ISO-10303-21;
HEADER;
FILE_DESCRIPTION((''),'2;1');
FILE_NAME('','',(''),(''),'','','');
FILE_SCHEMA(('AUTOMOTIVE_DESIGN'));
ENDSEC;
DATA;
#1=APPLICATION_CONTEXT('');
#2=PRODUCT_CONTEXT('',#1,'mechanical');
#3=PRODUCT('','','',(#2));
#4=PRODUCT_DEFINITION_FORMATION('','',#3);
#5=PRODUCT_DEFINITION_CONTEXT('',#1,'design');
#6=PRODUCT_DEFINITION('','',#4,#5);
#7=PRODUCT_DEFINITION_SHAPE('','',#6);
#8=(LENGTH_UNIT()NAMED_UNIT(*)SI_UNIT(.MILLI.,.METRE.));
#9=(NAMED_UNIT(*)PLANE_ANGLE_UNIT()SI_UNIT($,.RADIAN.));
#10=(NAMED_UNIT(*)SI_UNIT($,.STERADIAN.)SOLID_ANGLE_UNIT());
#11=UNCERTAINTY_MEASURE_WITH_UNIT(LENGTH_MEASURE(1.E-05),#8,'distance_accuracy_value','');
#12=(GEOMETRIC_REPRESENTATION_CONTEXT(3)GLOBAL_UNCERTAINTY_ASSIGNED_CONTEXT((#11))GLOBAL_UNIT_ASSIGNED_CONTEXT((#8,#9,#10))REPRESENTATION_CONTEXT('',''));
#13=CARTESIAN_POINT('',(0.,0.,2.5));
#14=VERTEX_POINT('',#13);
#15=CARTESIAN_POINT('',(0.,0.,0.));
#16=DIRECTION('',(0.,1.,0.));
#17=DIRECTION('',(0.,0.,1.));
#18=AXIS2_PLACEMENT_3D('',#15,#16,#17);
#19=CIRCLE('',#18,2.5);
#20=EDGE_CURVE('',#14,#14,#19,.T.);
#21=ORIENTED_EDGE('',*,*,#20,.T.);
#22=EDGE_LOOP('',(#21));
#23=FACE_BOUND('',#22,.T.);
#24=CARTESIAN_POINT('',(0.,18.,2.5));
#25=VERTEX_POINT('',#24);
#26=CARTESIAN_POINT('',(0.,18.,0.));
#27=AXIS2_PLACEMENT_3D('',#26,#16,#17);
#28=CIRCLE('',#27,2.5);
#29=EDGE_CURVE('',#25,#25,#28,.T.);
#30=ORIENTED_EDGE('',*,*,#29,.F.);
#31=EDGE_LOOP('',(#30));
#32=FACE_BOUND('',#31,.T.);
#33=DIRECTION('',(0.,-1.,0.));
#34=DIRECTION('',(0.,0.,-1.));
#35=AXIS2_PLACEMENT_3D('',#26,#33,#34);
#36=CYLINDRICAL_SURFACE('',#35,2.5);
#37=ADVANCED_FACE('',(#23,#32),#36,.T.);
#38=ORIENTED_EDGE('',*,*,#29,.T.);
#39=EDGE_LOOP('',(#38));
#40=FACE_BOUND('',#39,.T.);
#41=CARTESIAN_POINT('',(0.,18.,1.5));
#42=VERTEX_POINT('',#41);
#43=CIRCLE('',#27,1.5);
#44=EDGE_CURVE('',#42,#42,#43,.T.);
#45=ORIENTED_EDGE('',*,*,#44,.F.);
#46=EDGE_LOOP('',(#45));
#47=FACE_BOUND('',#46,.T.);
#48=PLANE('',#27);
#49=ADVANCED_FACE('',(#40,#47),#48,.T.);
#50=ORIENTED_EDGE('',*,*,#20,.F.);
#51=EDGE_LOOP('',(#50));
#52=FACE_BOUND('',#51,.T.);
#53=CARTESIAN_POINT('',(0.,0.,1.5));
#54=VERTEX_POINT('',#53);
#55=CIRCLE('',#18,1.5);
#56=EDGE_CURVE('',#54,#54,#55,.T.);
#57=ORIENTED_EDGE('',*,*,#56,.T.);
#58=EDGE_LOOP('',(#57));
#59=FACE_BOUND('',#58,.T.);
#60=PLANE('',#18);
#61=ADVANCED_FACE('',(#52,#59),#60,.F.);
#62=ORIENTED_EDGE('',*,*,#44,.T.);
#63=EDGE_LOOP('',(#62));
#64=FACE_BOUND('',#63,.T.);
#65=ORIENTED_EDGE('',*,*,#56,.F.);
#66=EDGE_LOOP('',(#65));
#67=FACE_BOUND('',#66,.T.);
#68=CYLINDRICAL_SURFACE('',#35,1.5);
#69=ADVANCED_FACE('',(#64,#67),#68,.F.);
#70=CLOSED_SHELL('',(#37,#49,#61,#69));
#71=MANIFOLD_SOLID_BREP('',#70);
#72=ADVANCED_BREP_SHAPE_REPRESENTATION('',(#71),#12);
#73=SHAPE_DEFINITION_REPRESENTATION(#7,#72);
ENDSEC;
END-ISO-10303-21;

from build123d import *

# Parameters (mm, degrees)
SKETCH_1_R      = 2.5
SKETCH_1_R_2    = 1.5
EXTRUDE_1_DEPTH = 18


with BuildPart() as part:
    # 草图1 → 凸台-拉伸1 (new body)
    with BuildSketch(Plane(origin=(0, 0, 0), x_dir=(1, 0, 0), z_dir=(0, 1, 0))):
        with Locations(Location((0, 0, 0), (0, 0, 270))):
            Circle(SKETCH_1_R)
        with Locations(Location((0, 0, 0), (0, 0, 270))):
            Circle(SKETCH_1_R_2, mode=Mode.SUBTRACT)
    extrude(amount=EXTRUDE_1_DEPTH)


solid = part.part
